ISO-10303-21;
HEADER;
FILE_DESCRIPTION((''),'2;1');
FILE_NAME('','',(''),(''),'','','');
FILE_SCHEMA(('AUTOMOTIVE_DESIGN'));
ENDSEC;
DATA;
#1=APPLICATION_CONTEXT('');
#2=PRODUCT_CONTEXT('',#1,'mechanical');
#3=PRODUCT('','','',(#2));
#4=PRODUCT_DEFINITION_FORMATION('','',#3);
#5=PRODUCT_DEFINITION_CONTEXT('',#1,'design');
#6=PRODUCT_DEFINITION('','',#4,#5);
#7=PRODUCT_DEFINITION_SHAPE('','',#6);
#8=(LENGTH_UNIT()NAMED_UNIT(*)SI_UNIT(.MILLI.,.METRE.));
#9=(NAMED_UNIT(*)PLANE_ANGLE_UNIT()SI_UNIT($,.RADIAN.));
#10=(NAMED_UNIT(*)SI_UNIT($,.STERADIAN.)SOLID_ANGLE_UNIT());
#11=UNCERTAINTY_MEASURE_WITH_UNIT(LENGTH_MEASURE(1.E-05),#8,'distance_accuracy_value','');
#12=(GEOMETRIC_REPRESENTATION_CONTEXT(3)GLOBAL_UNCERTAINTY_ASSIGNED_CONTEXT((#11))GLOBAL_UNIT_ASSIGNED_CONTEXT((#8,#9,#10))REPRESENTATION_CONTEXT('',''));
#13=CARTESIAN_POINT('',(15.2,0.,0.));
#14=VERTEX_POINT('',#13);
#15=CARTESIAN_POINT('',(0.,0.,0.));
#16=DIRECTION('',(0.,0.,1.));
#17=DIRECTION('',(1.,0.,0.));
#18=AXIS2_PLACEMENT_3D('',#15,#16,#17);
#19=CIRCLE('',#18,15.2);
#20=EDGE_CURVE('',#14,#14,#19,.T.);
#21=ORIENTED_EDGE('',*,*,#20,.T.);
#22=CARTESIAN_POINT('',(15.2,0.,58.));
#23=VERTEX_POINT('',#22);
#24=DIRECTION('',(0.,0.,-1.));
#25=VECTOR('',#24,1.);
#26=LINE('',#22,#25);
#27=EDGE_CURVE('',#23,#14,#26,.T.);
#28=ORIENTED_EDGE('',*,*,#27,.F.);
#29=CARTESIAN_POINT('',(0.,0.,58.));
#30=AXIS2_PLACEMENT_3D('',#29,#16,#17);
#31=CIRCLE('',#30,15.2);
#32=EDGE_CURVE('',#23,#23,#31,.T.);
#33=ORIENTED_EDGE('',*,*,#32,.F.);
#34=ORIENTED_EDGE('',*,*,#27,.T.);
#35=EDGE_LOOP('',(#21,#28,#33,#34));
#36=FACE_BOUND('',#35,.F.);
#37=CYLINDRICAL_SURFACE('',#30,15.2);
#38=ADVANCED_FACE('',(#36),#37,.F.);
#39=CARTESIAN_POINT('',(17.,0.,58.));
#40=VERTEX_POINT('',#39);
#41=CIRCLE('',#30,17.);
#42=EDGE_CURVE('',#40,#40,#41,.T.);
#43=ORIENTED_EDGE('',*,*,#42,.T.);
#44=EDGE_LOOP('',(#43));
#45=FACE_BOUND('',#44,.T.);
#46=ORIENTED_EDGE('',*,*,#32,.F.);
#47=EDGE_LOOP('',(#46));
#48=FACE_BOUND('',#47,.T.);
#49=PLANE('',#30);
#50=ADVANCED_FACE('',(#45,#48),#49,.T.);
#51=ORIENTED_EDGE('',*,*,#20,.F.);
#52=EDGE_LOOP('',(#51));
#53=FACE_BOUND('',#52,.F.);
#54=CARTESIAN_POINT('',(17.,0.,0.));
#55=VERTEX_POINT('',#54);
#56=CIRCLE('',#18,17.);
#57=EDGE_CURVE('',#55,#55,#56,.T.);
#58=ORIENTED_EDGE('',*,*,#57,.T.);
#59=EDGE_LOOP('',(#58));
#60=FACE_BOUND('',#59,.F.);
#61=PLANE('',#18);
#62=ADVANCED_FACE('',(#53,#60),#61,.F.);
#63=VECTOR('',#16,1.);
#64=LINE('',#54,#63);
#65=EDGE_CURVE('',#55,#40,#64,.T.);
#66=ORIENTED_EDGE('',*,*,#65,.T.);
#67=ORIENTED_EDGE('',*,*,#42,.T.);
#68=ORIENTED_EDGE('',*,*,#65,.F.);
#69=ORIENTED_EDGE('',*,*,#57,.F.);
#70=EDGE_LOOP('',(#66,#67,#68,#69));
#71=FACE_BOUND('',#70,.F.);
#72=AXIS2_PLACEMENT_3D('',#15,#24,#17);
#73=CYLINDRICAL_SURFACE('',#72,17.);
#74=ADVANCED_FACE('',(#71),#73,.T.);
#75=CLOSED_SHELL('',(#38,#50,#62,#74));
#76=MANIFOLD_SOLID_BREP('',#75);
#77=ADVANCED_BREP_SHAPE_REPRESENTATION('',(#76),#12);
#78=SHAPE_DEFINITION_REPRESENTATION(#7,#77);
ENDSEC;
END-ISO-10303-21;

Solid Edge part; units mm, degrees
sketch "Sketch1" plane through (0, 0, 0) normal (0, 0, 1) x (1, 0, 0)
  circle A0 centre (0, 0) radius 17
extrude "Protrusion1" add sketch "Sketch1" along normal blind 58
sketch "Sketch2" plane through (0, 0, 58) normal (0, 0, 1) x (1, 0, 0)
  circle A0 centre (0, 0) radius 15.2
extrude "ExtrudedCutout_1" cut sketch "Sketch2" against normal blind 58
properties material "Epoxy, cast rigid"
